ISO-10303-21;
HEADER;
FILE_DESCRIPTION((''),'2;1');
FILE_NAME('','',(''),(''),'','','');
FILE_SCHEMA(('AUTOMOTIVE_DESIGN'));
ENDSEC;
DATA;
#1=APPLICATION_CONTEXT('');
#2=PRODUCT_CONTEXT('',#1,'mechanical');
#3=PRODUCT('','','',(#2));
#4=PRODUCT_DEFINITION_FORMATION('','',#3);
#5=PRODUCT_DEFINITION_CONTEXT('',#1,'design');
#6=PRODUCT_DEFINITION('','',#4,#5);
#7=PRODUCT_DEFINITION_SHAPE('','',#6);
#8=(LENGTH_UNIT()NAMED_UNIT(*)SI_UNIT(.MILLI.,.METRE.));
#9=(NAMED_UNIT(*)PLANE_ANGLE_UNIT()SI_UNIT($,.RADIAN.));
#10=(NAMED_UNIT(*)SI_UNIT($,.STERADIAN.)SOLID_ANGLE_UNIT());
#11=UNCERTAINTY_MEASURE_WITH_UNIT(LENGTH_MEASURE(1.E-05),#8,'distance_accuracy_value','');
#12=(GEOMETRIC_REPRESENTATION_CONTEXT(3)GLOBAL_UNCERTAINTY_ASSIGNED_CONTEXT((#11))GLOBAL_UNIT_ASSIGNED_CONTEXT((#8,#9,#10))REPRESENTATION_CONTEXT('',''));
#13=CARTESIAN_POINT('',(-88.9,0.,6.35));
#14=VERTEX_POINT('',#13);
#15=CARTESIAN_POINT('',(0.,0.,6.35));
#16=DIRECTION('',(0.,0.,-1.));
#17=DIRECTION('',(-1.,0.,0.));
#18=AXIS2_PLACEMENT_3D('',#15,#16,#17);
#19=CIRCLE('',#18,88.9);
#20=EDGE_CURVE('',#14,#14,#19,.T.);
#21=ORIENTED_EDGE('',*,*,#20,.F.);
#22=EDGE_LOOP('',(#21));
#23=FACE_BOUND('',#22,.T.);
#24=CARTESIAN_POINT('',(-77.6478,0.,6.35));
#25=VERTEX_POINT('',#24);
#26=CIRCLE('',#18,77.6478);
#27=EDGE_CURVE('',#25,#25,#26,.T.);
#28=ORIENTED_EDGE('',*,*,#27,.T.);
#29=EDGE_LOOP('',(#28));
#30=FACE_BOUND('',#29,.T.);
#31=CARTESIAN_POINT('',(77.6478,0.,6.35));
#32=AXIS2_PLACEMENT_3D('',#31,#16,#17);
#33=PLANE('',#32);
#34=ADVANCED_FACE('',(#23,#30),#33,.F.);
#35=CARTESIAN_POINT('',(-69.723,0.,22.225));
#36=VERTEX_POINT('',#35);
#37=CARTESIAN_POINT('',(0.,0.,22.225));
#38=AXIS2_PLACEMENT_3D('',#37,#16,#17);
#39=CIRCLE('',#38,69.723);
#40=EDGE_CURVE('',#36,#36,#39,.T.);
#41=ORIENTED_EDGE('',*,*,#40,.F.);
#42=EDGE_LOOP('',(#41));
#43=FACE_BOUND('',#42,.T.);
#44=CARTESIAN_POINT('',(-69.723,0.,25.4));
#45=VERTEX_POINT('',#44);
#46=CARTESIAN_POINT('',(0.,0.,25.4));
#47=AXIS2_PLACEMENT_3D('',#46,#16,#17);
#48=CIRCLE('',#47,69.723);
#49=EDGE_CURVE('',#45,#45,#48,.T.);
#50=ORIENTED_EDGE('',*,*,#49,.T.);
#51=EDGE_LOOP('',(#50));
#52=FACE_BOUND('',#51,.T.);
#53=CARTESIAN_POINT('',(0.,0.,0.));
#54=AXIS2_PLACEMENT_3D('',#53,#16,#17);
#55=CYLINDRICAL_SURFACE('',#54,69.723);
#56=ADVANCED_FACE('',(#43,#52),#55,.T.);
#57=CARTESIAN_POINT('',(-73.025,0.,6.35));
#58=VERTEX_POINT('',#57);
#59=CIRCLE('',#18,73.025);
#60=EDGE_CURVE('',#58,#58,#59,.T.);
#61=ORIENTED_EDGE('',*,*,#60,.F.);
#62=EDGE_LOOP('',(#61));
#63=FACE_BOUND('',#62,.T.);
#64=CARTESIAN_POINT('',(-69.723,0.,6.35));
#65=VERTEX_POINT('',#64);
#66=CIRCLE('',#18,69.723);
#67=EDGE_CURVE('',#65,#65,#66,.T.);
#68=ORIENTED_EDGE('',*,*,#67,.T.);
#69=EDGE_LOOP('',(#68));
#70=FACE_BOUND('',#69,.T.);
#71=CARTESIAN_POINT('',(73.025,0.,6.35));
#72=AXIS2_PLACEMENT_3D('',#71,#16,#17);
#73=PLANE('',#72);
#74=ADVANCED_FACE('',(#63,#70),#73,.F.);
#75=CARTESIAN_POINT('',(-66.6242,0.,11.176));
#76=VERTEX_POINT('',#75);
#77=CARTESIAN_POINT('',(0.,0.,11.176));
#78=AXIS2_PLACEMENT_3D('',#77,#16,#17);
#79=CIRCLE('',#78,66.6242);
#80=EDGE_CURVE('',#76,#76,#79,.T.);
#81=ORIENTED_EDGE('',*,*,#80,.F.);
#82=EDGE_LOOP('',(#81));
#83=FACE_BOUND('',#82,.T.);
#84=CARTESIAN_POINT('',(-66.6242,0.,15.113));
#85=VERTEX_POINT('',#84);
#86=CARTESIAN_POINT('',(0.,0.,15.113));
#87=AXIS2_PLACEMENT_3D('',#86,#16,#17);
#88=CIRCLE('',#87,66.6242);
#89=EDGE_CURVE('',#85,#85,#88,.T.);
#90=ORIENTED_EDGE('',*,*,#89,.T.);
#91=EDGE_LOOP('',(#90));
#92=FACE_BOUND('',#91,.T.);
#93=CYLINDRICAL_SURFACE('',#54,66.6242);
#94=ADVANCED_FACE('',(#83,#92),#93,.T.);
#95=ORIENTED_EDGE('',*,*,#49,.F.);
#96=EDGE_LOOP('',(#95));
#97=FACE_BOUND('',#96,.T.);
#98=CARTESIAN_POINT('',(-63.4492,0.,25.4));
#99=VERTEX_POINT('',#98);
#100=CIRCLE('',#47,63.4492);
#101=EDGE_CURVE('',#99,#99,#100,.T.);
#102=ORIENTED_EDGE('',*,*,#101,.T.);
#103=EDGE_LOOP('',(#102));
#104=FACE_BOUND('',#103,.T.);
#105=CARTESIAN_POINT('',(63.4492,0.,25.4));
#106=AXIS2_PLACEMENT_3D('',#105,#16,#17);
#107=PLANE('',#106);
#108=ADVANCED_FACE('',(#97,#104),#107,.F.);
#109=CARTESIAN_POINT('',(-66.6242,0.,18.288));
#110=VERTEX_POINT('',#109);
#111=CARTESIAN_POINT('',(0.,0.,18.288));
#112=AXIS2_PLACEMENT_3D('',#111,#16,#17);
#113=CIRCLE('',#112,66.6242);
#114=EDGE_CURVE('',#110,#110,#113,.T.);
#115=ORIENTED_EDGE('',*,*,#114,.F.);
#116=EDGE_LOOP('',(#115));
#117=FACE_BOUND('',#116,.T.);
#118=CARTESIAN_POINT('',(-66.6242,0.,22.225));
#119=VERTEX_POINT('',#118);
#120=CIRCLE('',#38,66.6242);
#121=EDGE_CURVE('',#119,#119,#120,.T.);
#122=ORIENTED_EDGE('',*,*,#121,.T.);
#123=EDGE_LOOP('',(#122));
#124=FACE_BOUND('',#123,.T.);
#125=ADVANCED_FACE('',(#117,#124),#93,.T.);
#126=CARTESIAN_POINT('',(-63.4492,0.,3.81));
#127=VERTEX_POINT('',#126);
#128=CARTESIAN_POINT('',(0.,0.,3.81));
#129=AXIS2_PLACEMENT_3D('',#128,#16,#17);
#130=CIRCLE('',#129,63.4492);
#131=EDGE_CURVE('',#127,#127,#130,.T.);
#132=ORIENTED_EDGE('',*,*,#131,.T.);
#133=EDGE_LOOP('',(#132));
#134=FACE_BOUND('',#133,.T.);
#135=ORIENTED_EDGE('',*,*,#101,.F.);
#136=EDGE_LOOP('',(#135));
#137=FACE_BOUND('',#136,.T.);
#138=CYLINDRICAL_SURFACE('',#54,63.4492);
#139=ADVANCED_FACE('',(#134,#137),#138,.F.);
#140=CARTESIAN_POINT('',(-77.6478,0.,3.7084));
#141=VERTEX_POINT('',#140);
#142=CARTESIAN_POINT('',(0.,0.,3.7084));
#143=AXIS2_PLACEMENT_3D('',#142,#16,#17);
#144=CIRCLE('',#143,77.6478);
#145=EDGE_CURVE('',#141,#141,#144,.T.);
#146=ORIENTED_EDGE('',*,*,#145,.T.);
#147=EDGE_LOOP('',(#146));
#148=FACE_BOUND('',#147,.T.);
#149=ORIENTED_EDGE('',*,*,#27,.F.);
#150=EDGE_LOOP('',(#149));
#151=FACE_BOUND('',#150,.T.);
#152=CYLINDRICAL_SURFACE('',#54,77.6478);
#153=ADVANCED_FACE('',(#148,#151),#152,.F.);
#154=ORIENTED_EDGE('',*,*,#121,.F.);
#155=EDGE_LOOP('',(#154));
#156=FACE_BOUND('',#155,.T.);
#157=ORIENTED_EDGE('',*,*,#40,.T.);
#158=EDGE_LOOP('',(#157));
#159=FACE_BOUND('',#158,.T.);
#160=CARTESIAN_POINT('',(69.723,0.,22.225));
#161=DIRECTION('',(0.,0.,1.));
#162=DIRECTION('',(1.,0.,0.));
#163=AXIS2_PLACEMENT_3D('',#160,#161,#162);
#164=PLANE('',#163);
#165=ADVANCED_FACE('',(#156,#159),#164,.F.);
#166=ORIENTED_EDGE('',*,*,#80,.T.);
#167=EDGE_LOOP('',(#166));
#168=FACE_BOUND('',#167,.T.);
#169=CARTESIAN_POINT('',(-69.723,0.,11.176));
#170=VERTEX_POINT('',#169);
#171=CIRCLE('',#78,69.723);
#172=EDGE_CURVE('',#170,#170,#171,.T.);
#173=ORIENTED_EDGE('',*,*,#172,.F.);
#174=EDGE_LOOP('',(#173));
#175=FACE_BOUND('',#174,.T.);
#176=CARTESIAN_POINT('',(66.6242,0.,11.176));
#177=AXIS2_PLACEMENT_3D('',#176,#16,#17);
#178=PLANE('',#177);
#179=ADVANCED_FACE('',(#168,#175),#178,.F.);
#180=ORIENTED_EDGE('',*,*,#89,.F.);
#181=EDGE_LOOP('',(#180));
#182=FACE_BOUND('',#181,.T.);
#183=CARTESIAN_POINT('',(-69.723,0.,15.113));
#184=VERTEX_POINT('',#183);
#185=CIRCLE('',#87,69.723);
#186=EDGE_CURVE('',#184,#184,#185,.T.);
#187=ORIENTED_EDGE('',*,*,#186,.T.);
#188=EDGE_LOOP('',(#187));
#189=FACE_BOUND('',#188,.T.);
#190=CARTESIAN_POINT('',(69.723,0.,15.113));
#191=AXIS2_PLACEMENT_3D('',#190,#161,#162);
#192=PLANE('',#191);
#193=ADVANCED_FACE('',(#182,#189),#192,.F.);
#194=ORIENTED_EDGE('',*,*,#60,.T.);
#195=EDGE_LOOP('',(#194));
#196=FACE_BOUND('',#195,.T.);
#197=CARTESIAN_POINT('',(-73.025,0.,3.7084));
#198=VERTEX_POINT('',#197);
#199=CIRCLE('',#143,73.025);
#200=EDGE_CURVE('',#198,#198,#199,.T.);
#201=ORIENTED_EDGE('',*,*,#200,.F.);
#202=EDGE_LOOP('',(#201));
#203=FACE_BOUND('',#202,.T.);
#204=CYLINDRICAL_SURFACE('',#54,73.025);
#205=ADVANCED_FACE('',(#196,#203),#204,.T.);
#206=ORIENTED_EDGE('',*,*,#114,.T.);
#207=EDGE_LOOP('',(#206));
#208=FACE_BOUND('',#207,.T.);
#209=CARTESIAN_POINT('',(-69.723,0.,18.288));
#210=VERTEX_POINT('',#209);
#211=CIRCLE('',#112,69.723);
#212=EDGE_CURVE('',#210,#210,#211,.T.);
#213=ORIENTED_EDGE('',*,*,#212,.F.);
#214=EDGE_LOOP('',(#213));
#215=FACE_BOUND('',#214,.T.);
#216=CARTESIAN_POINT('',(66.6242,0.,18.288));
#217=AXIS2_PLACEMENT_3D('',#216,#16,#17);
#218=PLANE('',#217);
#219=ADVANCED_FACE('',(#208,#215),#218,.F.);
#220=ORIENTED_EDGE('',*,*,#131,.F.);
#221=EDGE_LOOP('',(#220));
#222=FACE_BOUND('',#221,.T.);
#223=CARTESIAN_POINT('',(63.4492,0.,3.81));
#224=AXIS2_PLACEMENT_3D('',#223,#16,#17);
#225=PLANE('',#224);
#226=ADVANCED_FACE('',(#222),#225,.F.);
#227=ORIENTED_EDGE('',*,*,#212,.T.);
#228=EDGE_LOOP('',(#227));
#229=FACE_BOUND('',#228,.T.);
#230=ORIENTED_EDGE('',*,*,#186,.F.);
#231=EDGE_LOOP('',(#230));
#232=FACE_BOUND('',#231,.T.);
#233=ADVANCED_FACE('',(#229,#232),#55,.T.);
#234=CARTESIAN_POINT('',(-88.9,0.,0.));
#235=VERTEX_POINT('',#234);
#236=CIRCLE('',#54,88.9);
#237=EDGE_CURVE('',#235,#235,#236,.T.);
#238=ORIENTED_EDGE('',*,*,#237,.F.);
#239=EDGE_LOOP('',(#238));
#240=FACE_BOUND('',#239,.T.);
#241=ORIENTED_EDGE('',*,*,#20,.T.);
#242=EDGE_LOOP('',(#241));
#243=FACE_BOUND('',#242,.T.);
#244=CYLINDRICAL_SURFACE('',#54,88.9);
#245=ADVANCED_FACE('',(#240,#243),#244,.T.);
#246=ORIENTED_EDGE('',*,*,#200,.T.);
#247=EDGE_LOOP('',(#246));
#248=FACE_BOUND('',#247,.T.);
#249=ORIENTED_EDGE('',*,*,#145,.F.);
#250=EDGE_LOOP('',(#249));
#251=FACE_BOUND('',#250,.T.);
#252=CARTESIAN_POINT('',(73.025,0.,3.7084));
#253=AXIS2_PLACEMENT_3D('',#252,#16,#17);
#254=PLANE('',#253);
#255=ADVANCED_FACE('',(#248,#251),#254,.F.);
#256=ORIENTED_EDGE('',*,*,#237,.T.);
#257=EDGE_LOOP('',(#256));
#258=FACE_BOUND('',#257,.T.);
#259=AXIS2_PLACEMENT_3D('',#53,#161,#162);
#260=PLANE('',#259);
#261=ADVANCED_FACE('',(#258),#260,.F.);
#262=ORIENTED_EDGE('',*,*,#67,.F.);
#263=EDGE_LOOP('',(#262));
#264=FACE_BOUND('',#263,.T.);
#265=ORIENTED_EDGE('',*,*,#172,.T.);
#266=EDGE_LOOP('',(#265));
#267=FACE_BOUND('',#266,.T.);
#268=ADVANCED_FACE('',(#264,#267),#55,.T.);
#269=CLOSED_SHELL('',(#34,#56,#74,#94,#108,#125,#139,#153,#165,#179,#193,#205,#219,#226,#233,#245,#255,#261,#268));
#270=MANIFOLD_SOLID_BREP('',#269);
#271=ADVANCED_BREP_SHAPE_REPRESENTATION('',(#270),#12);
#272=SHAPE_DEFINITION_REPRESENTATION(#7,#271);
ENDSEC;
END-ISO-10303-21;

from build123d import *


with BuildPart() as part:
    # Sketch1 → Revolve1 (revolve)
    with BuildSketch(Plane(origin=(0, 0, 0), x_dir=(1, 0, 0), z_dir=(0, 1, 0))):
        Polygon((0, 0), (88.9, 0), (88.9, -6.35), (77.6478, -6.35), (77.6478, -3.7084), (73.025, -3.7084), (73.025, -6.35), (69.723, -6.35), (69.723, -11.176), (66.6242, -11.176), (66.6242, -15.113), (69.723, -15.113), (69.723, -18.288), (66.6242, -18.288), (66.6242, -22.225), (69.723, -22.225), (69.723, -25.4), (63.4492, -25.4), (63.4492, -3.81), (0, -3.81), align=None)
    revolve(axis=Axis((0, 0, 0), (0, 0, 1)))


solid = part.part
